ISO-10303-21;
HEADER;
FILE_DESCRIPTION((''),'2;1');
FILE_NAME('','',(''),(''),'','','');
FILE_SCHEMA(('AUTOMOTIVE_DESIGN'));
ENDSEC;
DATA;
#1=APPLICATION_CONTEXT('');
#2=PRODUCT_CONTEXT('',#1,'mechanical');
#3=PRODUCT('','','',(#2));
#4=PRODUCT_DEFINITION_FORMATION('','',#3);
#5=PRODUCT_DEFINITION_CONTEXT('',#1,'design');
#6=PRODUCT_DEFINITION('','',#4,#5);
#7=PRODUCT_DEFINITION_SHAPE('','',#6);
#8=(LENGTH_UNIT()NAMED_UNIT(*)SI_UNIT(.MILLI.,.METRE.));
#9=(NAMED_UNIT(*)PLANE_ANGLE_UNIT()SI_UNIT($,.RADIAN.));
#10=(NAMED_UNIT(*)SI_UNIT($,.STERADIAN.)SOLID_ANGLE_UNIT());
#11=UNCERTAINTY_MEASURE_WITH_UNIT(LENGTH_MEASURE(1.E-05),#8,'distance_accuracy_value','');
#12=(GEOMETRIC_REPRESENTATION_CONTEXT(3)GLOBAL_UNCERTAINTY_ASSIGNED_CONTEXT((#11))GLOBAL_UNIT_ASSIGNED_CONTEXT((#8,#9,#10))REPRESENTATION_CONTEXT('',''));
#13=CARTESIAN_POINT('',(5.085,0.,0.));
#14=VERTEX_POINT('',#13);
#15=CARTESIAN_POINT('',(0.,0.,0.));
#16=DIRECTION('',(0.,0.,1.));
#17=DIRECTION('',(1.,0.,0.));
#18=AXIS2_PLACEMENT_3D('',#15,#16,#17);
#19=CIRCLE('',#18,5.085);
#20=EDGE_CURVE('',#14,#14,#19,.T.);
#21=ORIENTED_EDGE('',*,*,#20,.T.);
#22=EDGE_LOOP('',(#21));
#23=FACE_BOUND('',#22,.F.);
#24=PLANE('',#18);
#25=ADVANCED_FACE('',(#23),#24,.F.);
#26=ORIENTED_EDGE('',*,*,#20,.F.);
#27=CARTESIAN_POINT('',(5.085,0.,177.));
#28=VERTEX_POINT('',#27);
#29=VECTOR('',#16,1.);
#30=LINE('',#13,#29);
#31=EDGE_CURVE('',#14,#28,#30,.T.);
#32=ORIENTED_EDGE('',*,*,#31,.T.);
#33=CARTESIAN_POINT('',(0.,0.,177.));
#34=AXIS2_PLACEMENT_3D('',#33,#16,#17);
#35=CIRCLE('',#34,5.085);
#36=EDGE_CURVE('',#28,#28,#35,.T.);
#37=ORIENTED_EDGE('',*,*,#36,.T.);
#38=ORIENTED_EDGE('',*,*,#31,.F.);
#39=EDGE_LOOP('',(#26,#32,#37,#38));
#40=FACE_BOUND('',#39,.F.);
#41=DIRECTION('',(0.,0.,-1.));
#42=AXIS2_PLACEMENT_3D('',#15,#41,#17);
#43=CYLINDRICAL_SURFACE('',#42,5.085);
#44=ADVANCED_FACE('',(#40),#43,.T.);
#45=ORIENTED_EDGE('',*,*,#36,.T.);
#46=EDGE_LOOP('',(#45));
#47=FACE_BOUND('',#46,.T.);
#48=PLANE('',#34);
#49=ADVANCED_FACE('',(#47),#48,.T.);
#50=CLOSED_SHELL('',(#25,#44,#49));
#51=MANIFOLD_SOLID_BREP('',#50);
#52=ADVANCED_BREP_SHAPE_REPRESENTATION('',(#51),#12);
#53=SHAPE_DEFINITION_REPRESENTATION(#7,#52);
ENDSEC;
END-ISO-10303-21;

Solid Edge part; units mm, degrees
sketch "Sketch1" plane through (0, 0, 0) normal (0, 0, 1) x (1, 0, 0)
  circle A0 centre (0, 0) radius 5.085
extrude "Protrusion1" add sketch "Sketch1" along normal blind 177
